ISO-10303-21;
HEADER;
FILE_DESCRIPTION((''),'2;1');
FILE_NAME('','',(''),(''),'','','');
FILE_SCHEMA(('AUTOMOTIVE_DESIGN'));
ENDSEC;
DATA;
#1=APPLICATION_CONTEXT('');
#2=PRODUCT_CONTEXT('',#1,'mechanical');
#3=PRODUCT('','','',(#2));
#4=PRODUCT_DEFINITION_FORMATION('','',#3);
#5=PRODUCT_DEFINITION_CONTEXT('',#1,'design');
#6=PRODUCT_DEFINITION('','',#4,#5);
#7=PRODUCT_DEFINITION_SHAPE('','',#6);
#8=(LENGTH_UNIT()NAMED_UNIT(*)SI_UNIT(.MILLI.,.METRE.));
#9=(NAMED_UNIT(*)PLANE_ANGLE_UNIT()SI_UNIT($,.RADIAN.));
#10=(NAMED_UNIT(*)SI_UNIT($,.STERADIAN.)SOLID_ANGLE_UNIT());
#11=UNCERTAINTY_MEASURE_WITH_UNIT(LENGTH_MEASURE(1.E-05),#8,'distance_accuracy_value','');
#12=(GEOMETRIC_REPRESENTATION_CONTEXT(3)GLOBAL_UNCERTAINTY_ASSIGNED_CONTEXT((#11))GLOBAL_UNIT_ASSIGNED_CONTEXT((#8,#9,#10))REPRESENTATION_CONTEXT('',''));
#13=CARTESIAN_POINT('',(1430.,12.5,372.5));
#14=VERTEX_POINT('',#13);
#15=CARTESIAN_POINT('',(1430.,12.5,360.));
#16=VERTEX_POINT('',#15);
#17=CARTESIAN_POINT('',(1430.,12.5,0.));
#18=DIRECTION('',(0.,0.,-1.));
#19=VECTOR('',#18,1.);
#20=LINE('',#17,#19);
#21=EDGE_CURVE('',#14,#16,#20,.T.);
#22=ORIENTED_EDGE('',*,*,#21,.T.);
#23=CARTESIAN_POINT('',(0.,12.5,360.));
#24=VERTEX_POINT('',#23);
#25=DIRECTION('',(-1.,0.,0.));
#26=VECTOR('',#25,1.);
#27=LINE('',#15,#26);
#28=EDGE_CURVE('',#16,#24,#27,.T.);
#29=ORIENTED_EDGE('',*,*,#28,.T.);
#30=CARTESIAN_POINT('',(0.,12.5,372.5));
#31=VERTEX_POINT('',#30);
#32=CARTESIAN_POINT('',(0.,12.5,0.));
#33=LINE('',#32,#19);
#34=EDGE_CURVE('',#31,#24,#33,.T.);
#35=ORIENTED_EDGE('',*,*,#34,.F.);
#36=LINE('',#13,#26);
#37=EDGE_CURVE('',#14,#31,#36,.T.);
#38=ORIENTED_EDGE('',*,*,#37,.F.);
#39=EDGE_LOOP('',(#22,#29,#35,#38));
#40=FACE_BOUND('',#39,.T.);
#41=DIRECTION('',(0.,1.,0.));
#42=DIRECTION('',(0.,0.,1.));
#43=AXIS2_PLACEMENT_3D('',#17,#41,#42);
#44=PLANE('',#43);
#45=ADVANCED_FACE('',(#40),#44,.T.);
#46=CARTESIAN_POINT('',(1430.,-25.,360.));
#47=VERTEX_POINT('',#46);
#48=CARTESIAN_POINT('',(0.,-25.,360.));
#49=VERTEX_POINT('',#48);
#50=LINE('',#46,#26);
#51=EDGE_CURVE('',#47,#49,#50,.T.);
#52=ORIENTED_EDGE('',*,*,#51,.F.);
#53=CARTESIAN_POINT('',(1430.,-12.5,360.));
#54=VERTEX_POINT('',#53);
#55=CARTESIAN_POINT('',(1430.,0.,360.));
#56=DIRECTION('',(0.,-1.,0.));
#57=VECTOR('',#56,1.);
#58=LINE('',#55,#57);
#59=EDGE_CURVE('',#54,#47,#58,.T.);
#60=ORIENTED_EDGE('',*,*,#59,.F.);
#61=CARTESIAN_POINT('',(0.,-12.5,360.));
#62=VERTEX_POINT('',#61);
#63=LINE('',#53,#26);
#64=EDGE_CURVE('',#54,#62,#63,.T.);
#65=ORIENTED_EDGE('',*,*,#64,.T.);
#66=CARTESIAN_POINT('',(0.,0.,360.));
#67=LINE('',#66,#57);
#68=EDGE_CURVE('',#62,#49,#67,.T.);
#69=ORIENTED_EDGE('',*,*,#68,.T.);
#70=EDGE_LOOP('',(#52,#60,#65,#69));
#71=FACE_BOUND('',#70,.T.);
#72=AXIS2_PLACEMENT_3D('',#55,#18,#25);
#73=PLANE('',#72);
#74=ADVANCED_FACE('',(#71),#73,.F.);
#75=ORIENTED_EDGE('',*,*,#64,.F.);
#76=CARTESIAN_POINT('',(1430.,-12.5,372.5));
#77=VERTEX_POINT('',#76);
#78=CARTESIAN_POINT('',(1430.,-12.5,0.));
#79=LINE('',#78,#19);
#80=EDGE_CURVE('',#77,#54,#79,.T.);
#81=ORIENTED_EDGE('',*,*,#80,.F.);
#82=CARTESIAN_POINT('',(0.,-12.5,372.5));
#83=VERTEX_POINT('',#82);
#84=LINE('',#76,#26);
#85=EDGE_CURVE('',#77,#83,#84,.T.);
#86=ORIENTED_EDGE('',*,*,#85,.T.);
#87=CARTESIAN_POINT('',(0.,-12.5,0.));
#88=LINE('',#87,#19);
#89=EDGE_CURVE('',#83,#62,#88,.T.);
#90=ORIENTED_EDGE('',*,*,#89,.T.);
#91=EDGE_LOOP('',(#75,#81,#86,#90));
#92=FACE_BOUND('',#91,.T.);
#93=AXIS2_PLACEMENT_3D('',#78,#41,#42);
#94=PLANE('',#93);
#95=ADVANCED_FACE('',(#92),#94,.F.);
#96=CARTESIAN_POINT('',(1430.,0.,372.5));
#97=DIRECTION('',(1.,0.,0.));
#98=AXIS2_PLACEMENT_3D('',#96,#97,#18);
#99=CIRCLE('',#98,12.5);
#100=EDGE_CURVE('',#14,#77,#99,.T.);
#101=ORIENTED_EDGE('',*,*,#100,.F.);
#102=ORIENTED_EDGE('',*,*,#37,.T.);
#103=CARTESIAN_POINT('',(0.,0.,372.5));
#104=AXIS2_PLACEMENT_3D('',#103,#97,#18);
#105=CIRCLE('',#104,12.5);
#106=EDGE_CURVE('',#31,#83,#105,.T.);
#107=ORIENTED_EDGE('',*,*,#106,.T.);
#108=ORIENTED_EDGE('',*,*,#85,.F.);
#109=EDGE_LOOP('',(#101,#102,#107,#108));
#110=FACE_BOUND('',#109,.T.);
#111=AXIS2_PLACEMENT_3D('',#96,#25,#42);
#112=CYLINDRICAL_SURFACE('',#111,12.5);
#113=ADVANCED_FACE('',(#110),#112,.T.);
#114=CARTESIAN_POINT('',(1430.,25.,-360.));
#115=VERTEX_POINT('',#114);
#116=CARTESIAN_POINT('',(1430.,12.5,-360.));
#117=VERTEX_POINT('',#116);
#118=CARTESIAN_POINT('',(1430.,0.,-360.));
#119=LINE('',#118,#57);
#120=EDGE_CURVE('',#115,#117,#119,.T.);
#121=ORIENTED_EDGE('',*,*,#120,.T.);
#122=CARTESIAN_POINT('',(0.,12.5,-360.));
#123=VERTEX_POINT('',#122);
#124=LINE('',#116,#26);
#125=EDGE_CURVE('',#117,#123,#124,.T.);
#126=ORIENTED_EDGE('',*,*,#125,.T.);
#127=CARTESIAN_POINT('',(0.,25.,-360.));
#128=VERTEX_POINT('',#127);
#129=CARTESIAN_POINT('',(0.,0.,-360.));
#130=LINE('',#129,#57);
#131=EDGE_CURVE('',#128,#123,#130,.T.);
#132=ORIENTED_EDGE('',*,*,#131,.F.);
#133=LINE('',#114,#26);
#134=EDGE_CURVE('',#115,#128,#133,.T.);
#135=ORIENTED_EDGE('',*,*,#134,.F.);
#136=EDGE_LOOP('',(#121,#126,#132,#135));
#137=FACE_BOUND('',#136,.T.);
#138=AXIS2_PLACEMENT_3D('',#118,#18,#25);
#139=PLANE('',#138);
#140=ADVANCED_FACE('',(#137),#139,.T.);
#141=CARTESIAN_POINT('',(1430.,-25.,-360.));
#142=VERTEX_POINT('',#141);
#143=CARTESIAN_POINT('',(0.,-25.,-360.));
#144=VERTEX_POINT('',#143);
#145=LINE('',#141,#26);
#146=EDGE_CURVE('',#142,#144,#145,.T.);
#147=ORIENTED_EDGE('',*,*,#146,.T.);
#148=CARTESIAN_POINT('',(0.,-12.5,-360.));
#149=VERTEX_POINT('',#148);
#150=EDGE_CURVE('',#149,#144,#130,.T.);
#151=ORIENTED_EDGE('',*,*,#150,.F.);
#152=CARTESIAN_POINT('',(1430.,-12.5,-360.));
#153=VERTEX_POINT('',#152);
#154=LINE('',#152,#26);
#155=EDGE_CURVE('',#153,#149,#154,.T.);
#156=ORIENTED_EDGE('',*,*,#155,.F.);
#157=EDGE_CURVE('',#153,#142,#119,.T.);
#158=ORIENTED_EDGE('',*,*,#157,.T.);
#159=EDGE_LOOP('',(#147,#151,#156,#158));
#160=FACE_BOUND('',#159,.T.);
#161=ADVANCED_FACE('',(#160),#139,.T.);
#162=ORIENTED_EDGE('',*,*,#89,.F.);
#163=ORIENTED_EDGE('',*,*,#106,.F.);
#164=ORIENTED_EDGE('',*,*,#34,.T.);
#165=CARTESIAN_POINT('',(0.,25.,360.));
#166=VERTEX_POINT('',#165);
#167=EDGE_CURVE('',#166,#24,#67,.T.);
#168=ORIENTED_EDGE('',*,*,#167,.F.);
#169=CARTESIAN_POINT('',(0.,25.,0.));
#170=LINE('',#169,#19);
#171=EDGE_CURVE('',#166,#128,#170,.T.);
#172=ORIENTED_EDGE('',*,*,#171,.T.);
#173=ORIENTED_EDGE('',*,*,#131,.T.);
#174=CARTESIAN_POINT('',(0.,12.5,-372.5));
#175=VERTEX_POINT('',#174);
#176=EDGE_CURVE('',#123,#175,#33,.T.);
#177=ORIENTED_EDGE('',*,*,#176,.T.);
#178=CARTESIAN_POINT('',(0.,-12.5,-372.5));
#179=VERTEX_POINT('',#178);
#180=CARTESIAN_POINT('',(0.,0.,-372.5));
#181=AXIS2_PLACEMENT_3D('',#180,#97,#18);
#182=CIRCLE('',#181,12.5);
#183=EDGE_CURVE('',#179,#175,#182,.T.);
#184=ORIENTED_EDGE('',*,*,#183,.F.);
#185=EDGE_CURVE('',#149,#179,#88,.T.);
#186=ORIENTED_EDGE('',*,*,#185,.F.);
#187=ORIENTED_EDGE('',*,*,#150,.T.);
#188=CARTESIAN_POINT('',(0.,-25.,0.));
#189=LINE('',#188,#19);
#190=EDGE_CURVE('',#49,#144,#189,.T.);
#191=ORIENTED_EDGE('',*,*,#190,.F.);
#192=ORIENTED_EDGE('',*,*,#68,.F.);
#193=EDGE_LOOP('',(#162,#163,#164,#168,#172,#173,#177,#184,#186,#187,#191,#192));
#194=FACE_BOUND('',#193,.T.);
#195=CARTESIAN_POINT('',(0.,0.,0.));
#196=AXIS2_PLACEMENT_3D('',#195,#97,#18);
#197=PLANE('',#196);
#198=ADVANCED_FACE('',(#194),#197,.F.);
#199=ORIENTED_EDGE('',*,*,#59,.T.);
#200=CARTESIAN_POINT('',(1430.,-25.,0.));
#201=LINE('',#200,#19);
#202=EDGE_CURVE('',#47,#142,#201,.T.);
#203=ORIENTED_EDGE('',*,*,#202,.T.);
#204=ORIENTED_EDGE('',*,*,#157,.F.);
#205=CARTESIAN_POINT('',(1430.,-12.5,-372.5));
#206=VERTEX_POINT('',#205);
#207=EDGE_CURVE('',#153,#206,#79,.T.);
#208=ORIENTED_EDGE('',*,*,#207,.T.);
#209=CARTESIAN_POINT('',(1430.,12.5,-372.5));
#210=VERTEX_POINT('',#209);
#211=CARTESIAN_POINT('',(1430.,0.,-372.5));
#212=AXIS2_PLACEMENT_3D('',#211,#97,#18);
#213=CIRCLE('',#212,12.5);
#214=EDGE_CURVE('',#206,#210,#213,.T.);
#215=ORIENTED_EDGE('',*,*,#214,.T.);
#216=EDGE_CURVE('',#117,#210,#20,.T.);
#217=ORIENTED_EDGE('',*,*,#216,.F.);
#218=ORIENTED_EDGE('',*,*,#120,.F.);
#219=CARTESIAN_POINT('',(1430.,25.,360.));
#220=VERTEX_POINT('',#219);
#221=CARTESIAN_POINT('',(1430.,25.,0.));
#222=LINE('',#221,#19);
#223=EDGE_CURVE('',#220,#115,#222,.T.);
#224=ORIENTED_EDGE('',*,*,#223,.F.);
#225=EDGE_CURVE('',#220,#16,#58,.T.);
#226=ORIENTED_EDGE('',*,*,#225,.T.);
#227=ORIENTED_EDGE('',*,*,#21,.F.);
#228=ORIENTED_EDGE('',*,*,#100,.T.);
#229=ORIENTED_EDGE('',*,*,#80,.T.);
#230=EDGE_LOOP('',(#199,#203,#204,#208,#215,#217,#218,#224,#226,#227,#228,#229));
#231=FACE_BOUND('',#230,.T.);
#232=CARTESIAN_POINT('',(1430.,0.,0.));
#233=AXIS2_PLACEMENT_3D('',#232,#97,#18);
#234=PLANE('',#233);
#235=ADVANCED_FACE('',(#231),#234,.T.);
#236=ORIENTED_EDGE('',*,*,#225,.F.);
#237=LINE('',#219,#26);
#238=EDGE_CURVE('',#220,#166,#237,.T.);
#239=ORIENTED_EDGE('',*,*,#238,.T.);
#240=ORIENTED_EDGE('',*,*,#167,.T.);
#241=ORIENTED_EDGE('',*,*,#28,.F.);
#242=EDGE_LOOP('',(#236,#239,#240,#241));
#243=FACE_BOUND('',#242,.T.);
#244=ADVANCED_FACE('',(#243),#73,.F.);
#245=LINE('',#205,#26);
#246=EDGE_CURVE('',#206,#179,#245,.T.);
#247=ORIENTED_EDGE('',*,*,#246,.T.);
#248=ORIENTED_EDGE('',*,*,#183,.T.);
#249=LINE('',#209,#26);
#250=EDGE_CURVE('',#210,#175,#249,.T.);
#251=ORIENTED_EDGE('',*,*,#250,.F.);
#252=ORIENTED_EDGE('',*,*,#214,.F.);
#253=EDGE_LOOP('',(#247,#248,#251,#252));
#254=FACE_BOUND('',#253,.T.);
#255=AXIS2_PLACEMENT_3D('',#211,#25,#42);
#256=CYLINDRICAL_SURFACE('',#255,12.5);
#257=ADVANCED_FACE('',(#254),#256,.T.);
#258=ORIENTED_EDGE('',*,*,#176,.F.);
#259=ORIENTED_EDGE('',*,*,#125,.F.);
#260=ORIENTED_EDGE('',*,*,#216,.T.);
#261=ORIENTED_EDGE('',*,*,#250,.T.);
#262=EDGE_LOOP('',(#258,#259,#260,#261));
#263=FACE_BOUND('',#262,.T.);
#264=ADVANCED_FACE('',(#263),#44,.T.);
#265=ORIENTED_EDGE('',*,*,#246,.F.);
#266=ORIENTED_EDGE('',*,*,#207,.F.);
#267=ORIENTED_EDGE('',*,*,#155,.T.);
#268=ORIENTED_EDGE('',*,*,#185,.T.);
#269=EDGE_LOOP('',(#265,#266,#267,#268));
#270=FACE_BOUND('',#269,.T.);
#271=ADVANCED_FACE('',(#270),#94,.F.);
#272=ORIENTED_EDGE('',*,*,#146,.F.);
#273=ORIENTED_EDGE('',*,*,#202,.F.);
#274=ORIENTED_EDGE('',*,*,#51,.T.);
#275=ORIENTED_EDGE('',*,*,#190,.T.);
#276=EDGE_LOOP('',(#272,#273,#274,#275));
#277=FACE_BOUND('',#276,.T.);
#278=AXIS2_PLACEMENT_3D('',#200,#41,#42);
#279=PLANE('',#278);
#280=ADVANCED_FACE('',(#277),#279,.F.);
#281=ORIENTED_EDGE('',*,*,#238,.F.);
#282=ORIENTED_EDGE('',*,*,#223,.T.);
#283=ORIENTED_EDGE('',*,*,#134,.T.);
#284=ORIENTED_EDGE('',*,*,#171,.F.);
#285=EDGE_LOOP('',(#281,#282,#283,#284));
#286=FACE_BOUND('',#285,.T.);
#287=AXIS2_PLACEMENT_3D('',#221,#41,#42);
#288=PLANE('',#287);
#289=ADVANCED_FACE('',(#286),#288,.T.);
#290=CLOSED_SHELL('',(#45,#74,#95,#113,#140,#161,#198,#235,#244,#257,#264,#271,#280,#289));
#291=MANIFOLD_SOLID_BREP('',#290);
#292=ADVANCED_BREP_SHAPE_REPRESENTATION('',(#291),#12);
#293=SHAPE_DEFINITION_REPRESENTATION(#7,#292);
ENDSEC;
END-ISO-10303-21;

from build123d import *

# Parameters (mm, degrees)
BOSS_EXTRUDE1_DEPTH = 1430


with BuildPart() as part:
    # Sketch1 → Boss-Extrude1 (new body)
    with BuildSketch(Plane(origin=(0, 0, 0), x_dir=(0, 0, -1), z_dir=(1, 0, 0))):
        with BuildLine():
            Line((360, 25), (-360, 25))
            Line((-360, 25), (-360, 12.5))
            Line((-360, 12.5), (-347.5, 12.5))
            ThreePointArc((-347.5, 12.5), (-335, 0), (-347.5, -12.5))
            Line((-347.5, -12.5), (-360, -12.5))
            Line((-360, -12.5), (-360, -25))
            Line((-360, -25), (360, -25))
            Line((360, -25), (360, -12.5))
            Line((360, -12.5), (347.5, -12.5))
            ThreePointArc((347.5, -12.5), (335, 0), (347.5, 12.5))
            Line((347.5, 12.5), (360, 12.5))
            Line((360, 12.5), (360, 25))
        make_face()
        with BuildLine():
            Line((-347.5, 12.5), (-360, 12.5))
            Line((-360, 12.5), (-360, -12.5))
            Line((-360, -12.5), (-347.5, -12.5))
            ThreePointArc((-347.5, -12.5), (-335, 0), (-347.5, 12.5))
        make_face()
        with BuildLine():
            Line((-360, -12.5), (-360, 12.5))
            Line((-360, 12.5), (-372.5, 12.5))
            ThreePointArc((-372.5, 12.5), (-385, 0), (-372.5, -12.5))
            Line((-372.5, -12.5), (-360, -12.5))
        make_face()
        with BuildLine():
            Line((372.5, 12.5), (360, 12.5))
            Line((360, 12.5), (360, -12.5))
            Line((360, -12.5), (372.5, -12.5))
            ThreePointArc((372.5, -12.5), (385, 0), (372.5, 12.5))
        make_face()
        with BuildLine():
            Line((360, -12.5), (360, 12.5))
            Line((360, 12.5), (347.5, 12.5))
            ThreePointArc((347.5, 12.5), (335, 0), (347.5, -12.5))
            Line((347.5, -12.5), (360, -12.5))
        make_face()
    extrude(amount=BOSS_EXTRUDE1_DEPTH)


solid = part.part
